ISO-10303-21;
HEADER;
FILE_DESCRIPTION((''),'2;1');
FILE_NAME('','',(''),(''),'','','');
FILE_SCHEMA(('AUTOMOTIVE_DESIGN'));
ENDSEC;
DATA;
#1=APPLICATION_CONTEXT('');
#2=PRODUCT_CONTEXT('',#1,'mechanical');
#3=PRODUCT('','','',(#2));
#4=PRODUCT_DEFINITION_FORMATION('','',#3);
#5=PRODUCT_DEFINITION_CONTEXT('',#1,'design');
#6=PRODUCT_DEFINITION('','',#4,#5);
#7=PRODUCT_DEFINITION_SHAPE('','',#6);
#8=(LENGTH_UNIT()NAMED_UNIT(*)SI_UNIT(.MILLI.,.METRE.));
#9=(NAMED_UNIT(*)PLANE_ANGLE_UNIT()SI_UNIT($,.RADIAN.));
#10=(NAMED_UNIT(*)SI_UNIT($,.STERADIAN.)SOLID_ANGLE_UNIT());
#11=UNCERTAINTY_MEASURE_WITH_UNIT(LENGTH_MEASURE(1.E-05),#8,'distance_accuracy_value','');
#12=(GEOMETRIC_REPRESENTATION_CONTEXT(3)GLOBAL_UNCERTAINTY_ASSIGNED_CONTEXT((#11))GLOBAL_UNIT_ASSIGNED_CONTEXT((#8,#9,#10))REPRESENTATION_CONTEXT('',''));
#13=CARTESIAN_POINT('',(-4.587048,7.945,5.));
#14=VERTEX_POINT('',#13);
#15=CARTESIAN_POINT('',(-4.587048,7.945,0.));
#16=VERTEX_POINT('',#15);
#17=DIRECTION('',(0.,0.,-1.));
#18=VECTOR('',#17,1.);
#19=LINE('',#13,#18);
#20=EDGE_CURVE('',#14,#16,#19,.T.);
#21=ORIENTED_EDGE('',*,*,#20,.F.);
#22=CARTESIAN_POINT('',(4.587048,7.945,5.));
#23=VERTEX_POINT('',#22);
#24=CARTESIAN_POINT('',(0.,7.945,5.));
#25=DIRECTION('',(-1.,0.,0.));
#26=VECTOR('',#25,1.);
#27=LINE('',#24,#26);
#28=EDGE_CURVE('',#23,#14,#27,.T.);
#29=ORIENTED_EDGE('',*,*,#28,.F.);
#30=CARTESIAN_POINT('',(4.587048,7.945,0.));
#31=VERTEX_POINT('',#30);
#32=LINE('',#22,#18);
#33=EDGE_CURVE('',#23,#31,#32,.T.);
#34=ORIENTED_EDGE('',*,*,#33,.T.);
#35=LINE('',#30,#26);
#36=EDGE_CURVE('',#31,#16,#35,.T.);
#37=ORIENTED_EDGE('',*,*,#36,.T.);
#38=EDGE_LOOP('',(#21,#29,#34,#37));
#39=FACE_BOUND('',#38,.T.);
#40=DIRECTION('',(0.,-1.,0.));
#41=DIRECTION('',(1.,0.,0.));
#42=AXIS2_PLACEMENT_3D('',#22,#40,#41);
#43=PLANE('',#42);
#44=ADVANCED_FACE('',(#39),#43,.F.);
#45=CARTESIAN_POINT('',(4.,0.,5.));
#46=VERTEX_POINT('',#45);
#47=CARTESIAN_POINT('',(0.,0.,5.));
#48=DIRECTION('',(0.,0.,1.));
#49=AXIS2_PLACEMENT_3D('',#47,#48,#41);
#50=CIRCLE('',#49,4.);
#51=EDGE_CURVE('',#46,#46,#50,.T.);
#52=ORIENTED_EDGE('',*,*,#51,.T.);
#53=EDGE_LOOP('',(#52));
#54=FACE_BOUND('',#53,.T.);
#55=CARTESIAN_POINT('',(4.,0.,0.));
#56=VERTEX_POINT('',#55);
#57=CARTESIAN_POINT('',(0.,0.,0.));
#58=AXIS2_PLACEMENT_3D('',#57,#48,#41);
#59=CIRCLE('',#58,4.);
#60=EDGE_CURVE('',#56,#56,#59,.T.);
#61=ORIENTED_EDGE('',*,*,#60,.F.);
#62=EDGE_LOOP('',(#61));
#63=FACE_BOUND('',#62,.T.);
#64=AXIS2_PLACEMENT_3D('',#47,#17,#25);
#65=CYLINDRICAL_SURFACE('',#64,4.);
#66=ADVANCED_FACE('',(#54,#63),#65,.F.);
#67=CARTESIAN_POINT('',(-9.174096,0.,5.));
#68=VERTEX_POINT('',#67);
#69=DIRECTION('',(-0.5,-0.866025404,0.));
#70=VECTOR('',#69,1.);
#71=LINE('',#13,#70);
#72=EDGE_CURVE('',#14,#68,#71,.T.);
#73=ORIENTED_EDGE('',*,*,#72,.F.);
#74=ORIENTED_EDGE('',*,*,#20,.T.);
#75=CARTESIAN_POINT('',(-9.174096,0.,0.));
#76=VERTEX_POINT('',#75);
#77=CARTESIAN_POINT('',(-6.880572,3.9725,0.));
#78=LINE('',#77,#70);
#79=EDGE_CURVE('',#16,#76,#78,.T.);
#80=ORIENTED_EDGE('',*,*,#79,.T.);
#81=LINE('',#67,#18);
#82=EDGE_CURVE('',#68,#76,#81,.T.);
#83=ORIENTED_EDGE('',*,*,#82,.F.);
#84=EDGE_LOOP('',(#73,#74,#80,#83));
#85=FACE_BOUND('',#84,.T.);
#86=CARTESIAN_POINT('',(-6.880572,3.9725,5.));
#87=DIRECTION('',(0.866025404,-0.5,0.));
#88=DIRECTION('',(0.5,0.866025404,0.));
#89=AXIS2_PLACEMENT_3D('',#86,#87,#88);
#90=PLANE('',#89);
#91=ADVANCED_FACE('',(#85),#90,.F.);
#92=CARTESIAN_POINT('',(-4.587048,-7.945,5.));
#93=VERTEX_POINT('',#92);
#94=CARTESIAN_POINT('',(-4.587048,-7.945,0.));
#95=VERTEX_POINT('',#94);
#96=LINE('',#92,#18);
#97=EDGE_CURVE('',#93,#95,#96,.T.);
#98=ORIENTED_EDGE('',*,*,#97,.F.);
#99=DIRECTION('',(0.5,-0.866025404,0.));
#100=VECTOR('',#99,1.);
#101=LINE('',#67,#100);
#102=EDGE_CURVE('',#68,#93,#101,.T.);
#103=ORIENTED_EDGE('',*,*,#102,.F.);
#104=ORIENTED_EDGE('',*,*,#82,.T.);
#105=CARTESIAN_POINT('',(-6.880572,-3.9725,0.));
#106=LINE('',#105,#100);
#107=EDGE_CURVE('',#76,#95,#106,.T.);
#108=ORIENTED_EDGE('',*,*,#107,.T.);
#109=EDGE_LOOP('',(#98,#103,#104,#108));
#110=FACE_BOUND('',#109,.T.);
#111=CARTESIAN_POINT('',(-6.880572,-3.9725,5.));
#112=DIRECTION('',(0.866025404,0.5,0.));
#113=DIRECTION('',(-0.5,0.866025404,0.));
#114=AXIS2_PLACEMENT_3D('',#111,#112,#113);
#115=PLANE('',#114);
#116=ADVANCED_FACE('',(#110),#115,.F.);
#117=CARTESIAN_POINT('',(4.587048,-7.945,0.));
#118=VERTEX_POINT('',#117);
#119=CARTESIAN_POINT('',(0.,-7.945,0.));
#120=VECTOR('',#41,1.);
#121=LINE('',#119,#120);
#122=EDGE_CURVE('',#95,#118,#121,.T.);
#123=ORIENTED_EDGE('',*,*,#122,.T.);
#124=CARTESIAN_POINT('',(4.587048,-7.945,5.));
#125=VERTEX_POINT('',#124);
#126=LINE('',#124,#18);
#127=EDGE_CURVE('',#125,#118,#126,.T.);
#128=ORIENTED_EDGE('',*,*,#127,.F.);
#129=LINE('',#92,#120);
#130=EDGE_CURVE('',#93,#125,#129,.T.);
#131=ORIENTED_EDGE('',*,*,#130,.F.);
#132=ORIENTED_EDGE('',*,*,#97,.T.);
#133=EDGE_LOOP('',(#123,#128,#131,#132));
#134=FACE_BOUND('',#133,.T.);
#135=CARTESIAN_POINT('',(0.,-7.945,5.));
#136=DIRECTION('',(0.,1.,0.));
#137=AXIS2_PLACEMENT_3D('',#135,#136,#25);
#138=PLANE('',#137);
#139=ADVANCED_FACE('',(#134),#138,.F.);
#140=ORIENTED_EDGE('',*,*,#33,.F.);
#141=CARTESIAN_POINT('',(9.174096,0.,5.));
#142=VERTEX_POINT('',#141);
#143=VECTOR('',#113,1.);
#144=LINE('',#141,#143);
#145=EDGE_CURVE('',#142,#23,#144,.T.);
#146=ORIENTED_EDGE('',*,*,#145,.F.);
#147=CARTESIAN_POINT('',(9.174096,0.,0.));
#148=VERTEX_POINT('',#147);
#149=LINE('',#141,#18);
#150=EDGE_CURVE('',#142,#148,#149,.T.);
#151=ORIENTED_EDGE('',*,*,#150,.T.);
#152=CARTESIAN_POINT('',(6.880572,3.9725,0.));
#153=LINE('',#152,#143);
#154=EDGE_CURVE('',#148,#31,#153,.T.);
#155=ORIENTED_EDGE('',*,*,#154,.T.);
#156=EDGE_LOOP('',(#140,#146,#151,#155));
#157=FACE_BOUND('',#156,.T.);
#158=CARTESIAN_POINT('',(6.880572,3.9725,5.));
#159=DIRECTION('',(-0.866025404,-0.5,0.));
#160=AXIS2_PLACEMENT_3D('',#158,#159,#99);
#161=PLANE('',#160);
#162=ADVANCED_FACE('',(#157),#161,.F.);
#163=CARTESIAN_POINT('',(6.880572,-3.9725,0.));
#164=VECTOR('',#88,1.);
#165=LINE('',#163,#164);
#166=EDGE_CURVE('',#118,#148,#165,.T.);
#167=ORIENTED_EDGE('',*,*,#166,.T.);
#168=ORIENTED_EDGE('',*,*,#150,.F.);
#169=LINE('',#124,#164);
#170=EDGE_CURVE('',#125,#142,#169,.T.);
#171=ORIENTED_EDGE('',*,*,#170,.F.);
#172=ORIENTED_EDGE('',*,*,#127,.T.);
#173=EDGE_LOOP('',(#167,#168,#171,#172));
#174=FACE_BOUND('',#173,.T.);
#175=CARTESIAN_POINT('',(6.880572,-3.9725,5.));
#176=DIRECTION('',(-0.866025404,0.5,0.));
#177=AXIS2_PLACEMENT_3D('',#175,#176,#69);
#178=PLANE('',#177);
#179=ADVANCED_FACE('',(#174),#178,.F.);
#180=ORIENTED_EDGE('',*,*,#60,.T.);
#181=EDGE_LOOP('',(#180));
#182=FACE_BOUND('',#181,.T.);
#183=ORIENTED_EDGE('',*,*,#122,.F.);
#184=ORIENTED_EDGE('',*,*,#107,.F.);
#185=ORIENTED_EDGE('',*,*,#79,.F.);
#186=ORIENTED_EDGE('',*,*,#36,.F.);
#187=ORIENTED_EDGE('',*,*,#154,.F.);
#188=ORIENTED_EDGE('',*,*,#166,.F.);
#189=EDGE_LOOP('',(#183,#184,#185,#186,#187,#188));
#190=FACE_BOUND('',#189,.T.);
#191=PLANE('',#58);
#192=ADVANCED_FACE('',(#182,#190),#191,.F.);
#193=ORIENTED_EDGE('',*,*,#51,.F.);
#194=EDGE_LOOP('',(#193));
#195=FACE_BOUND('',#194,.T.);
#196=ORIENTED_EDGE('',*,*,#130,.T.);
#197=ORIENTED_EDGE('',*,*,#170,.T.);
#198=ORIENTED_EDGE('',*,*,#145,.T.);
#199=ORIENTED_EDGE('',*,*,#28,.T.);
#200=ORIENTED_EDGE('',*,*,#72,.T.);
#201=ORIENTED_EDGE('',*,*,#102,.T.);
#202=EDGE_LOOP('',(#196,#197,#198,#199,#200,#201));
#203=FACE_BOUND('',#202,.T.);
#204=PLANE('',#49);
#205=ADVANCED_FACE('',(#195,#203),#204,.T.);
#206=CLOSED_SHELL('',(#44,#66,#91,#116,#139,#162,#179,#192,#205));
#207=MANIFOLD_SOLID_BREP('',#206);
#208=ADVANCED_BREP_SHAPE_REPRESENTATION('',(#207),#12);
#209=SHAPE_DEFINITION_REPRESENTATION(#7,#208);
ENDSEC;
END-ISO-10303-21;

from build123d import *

# Parameters (mm, degrees)
SKETCH1_R           = 4
BOSS_EXTRUDE1_DEPTH = 5


with BuildPart() as part:
    # Sketch1 → Boss-Extrude1 (new body)
    with BuildSketch(Plane.XY):
        Polygon((-4.587047889, 7.945), (-6.880571833, 3.9725), (-9.174095777, 0), (-6.880571833, -3.9725), (-4.587047889, -7.945), (0, -7.945), (4.587047889, -7.945), (6.880571833, -3.9725), (9.174095777, 0), (6.880571833, 3.9725), (4.587047889, 7.945), (0, 7.945), align=None)
        Circle(SKETCH1_R, mode=Mode.SUBTRACT)
    extrude(amount=BOSS_EXTRUDE1_DEPTH)


solid = part.part
